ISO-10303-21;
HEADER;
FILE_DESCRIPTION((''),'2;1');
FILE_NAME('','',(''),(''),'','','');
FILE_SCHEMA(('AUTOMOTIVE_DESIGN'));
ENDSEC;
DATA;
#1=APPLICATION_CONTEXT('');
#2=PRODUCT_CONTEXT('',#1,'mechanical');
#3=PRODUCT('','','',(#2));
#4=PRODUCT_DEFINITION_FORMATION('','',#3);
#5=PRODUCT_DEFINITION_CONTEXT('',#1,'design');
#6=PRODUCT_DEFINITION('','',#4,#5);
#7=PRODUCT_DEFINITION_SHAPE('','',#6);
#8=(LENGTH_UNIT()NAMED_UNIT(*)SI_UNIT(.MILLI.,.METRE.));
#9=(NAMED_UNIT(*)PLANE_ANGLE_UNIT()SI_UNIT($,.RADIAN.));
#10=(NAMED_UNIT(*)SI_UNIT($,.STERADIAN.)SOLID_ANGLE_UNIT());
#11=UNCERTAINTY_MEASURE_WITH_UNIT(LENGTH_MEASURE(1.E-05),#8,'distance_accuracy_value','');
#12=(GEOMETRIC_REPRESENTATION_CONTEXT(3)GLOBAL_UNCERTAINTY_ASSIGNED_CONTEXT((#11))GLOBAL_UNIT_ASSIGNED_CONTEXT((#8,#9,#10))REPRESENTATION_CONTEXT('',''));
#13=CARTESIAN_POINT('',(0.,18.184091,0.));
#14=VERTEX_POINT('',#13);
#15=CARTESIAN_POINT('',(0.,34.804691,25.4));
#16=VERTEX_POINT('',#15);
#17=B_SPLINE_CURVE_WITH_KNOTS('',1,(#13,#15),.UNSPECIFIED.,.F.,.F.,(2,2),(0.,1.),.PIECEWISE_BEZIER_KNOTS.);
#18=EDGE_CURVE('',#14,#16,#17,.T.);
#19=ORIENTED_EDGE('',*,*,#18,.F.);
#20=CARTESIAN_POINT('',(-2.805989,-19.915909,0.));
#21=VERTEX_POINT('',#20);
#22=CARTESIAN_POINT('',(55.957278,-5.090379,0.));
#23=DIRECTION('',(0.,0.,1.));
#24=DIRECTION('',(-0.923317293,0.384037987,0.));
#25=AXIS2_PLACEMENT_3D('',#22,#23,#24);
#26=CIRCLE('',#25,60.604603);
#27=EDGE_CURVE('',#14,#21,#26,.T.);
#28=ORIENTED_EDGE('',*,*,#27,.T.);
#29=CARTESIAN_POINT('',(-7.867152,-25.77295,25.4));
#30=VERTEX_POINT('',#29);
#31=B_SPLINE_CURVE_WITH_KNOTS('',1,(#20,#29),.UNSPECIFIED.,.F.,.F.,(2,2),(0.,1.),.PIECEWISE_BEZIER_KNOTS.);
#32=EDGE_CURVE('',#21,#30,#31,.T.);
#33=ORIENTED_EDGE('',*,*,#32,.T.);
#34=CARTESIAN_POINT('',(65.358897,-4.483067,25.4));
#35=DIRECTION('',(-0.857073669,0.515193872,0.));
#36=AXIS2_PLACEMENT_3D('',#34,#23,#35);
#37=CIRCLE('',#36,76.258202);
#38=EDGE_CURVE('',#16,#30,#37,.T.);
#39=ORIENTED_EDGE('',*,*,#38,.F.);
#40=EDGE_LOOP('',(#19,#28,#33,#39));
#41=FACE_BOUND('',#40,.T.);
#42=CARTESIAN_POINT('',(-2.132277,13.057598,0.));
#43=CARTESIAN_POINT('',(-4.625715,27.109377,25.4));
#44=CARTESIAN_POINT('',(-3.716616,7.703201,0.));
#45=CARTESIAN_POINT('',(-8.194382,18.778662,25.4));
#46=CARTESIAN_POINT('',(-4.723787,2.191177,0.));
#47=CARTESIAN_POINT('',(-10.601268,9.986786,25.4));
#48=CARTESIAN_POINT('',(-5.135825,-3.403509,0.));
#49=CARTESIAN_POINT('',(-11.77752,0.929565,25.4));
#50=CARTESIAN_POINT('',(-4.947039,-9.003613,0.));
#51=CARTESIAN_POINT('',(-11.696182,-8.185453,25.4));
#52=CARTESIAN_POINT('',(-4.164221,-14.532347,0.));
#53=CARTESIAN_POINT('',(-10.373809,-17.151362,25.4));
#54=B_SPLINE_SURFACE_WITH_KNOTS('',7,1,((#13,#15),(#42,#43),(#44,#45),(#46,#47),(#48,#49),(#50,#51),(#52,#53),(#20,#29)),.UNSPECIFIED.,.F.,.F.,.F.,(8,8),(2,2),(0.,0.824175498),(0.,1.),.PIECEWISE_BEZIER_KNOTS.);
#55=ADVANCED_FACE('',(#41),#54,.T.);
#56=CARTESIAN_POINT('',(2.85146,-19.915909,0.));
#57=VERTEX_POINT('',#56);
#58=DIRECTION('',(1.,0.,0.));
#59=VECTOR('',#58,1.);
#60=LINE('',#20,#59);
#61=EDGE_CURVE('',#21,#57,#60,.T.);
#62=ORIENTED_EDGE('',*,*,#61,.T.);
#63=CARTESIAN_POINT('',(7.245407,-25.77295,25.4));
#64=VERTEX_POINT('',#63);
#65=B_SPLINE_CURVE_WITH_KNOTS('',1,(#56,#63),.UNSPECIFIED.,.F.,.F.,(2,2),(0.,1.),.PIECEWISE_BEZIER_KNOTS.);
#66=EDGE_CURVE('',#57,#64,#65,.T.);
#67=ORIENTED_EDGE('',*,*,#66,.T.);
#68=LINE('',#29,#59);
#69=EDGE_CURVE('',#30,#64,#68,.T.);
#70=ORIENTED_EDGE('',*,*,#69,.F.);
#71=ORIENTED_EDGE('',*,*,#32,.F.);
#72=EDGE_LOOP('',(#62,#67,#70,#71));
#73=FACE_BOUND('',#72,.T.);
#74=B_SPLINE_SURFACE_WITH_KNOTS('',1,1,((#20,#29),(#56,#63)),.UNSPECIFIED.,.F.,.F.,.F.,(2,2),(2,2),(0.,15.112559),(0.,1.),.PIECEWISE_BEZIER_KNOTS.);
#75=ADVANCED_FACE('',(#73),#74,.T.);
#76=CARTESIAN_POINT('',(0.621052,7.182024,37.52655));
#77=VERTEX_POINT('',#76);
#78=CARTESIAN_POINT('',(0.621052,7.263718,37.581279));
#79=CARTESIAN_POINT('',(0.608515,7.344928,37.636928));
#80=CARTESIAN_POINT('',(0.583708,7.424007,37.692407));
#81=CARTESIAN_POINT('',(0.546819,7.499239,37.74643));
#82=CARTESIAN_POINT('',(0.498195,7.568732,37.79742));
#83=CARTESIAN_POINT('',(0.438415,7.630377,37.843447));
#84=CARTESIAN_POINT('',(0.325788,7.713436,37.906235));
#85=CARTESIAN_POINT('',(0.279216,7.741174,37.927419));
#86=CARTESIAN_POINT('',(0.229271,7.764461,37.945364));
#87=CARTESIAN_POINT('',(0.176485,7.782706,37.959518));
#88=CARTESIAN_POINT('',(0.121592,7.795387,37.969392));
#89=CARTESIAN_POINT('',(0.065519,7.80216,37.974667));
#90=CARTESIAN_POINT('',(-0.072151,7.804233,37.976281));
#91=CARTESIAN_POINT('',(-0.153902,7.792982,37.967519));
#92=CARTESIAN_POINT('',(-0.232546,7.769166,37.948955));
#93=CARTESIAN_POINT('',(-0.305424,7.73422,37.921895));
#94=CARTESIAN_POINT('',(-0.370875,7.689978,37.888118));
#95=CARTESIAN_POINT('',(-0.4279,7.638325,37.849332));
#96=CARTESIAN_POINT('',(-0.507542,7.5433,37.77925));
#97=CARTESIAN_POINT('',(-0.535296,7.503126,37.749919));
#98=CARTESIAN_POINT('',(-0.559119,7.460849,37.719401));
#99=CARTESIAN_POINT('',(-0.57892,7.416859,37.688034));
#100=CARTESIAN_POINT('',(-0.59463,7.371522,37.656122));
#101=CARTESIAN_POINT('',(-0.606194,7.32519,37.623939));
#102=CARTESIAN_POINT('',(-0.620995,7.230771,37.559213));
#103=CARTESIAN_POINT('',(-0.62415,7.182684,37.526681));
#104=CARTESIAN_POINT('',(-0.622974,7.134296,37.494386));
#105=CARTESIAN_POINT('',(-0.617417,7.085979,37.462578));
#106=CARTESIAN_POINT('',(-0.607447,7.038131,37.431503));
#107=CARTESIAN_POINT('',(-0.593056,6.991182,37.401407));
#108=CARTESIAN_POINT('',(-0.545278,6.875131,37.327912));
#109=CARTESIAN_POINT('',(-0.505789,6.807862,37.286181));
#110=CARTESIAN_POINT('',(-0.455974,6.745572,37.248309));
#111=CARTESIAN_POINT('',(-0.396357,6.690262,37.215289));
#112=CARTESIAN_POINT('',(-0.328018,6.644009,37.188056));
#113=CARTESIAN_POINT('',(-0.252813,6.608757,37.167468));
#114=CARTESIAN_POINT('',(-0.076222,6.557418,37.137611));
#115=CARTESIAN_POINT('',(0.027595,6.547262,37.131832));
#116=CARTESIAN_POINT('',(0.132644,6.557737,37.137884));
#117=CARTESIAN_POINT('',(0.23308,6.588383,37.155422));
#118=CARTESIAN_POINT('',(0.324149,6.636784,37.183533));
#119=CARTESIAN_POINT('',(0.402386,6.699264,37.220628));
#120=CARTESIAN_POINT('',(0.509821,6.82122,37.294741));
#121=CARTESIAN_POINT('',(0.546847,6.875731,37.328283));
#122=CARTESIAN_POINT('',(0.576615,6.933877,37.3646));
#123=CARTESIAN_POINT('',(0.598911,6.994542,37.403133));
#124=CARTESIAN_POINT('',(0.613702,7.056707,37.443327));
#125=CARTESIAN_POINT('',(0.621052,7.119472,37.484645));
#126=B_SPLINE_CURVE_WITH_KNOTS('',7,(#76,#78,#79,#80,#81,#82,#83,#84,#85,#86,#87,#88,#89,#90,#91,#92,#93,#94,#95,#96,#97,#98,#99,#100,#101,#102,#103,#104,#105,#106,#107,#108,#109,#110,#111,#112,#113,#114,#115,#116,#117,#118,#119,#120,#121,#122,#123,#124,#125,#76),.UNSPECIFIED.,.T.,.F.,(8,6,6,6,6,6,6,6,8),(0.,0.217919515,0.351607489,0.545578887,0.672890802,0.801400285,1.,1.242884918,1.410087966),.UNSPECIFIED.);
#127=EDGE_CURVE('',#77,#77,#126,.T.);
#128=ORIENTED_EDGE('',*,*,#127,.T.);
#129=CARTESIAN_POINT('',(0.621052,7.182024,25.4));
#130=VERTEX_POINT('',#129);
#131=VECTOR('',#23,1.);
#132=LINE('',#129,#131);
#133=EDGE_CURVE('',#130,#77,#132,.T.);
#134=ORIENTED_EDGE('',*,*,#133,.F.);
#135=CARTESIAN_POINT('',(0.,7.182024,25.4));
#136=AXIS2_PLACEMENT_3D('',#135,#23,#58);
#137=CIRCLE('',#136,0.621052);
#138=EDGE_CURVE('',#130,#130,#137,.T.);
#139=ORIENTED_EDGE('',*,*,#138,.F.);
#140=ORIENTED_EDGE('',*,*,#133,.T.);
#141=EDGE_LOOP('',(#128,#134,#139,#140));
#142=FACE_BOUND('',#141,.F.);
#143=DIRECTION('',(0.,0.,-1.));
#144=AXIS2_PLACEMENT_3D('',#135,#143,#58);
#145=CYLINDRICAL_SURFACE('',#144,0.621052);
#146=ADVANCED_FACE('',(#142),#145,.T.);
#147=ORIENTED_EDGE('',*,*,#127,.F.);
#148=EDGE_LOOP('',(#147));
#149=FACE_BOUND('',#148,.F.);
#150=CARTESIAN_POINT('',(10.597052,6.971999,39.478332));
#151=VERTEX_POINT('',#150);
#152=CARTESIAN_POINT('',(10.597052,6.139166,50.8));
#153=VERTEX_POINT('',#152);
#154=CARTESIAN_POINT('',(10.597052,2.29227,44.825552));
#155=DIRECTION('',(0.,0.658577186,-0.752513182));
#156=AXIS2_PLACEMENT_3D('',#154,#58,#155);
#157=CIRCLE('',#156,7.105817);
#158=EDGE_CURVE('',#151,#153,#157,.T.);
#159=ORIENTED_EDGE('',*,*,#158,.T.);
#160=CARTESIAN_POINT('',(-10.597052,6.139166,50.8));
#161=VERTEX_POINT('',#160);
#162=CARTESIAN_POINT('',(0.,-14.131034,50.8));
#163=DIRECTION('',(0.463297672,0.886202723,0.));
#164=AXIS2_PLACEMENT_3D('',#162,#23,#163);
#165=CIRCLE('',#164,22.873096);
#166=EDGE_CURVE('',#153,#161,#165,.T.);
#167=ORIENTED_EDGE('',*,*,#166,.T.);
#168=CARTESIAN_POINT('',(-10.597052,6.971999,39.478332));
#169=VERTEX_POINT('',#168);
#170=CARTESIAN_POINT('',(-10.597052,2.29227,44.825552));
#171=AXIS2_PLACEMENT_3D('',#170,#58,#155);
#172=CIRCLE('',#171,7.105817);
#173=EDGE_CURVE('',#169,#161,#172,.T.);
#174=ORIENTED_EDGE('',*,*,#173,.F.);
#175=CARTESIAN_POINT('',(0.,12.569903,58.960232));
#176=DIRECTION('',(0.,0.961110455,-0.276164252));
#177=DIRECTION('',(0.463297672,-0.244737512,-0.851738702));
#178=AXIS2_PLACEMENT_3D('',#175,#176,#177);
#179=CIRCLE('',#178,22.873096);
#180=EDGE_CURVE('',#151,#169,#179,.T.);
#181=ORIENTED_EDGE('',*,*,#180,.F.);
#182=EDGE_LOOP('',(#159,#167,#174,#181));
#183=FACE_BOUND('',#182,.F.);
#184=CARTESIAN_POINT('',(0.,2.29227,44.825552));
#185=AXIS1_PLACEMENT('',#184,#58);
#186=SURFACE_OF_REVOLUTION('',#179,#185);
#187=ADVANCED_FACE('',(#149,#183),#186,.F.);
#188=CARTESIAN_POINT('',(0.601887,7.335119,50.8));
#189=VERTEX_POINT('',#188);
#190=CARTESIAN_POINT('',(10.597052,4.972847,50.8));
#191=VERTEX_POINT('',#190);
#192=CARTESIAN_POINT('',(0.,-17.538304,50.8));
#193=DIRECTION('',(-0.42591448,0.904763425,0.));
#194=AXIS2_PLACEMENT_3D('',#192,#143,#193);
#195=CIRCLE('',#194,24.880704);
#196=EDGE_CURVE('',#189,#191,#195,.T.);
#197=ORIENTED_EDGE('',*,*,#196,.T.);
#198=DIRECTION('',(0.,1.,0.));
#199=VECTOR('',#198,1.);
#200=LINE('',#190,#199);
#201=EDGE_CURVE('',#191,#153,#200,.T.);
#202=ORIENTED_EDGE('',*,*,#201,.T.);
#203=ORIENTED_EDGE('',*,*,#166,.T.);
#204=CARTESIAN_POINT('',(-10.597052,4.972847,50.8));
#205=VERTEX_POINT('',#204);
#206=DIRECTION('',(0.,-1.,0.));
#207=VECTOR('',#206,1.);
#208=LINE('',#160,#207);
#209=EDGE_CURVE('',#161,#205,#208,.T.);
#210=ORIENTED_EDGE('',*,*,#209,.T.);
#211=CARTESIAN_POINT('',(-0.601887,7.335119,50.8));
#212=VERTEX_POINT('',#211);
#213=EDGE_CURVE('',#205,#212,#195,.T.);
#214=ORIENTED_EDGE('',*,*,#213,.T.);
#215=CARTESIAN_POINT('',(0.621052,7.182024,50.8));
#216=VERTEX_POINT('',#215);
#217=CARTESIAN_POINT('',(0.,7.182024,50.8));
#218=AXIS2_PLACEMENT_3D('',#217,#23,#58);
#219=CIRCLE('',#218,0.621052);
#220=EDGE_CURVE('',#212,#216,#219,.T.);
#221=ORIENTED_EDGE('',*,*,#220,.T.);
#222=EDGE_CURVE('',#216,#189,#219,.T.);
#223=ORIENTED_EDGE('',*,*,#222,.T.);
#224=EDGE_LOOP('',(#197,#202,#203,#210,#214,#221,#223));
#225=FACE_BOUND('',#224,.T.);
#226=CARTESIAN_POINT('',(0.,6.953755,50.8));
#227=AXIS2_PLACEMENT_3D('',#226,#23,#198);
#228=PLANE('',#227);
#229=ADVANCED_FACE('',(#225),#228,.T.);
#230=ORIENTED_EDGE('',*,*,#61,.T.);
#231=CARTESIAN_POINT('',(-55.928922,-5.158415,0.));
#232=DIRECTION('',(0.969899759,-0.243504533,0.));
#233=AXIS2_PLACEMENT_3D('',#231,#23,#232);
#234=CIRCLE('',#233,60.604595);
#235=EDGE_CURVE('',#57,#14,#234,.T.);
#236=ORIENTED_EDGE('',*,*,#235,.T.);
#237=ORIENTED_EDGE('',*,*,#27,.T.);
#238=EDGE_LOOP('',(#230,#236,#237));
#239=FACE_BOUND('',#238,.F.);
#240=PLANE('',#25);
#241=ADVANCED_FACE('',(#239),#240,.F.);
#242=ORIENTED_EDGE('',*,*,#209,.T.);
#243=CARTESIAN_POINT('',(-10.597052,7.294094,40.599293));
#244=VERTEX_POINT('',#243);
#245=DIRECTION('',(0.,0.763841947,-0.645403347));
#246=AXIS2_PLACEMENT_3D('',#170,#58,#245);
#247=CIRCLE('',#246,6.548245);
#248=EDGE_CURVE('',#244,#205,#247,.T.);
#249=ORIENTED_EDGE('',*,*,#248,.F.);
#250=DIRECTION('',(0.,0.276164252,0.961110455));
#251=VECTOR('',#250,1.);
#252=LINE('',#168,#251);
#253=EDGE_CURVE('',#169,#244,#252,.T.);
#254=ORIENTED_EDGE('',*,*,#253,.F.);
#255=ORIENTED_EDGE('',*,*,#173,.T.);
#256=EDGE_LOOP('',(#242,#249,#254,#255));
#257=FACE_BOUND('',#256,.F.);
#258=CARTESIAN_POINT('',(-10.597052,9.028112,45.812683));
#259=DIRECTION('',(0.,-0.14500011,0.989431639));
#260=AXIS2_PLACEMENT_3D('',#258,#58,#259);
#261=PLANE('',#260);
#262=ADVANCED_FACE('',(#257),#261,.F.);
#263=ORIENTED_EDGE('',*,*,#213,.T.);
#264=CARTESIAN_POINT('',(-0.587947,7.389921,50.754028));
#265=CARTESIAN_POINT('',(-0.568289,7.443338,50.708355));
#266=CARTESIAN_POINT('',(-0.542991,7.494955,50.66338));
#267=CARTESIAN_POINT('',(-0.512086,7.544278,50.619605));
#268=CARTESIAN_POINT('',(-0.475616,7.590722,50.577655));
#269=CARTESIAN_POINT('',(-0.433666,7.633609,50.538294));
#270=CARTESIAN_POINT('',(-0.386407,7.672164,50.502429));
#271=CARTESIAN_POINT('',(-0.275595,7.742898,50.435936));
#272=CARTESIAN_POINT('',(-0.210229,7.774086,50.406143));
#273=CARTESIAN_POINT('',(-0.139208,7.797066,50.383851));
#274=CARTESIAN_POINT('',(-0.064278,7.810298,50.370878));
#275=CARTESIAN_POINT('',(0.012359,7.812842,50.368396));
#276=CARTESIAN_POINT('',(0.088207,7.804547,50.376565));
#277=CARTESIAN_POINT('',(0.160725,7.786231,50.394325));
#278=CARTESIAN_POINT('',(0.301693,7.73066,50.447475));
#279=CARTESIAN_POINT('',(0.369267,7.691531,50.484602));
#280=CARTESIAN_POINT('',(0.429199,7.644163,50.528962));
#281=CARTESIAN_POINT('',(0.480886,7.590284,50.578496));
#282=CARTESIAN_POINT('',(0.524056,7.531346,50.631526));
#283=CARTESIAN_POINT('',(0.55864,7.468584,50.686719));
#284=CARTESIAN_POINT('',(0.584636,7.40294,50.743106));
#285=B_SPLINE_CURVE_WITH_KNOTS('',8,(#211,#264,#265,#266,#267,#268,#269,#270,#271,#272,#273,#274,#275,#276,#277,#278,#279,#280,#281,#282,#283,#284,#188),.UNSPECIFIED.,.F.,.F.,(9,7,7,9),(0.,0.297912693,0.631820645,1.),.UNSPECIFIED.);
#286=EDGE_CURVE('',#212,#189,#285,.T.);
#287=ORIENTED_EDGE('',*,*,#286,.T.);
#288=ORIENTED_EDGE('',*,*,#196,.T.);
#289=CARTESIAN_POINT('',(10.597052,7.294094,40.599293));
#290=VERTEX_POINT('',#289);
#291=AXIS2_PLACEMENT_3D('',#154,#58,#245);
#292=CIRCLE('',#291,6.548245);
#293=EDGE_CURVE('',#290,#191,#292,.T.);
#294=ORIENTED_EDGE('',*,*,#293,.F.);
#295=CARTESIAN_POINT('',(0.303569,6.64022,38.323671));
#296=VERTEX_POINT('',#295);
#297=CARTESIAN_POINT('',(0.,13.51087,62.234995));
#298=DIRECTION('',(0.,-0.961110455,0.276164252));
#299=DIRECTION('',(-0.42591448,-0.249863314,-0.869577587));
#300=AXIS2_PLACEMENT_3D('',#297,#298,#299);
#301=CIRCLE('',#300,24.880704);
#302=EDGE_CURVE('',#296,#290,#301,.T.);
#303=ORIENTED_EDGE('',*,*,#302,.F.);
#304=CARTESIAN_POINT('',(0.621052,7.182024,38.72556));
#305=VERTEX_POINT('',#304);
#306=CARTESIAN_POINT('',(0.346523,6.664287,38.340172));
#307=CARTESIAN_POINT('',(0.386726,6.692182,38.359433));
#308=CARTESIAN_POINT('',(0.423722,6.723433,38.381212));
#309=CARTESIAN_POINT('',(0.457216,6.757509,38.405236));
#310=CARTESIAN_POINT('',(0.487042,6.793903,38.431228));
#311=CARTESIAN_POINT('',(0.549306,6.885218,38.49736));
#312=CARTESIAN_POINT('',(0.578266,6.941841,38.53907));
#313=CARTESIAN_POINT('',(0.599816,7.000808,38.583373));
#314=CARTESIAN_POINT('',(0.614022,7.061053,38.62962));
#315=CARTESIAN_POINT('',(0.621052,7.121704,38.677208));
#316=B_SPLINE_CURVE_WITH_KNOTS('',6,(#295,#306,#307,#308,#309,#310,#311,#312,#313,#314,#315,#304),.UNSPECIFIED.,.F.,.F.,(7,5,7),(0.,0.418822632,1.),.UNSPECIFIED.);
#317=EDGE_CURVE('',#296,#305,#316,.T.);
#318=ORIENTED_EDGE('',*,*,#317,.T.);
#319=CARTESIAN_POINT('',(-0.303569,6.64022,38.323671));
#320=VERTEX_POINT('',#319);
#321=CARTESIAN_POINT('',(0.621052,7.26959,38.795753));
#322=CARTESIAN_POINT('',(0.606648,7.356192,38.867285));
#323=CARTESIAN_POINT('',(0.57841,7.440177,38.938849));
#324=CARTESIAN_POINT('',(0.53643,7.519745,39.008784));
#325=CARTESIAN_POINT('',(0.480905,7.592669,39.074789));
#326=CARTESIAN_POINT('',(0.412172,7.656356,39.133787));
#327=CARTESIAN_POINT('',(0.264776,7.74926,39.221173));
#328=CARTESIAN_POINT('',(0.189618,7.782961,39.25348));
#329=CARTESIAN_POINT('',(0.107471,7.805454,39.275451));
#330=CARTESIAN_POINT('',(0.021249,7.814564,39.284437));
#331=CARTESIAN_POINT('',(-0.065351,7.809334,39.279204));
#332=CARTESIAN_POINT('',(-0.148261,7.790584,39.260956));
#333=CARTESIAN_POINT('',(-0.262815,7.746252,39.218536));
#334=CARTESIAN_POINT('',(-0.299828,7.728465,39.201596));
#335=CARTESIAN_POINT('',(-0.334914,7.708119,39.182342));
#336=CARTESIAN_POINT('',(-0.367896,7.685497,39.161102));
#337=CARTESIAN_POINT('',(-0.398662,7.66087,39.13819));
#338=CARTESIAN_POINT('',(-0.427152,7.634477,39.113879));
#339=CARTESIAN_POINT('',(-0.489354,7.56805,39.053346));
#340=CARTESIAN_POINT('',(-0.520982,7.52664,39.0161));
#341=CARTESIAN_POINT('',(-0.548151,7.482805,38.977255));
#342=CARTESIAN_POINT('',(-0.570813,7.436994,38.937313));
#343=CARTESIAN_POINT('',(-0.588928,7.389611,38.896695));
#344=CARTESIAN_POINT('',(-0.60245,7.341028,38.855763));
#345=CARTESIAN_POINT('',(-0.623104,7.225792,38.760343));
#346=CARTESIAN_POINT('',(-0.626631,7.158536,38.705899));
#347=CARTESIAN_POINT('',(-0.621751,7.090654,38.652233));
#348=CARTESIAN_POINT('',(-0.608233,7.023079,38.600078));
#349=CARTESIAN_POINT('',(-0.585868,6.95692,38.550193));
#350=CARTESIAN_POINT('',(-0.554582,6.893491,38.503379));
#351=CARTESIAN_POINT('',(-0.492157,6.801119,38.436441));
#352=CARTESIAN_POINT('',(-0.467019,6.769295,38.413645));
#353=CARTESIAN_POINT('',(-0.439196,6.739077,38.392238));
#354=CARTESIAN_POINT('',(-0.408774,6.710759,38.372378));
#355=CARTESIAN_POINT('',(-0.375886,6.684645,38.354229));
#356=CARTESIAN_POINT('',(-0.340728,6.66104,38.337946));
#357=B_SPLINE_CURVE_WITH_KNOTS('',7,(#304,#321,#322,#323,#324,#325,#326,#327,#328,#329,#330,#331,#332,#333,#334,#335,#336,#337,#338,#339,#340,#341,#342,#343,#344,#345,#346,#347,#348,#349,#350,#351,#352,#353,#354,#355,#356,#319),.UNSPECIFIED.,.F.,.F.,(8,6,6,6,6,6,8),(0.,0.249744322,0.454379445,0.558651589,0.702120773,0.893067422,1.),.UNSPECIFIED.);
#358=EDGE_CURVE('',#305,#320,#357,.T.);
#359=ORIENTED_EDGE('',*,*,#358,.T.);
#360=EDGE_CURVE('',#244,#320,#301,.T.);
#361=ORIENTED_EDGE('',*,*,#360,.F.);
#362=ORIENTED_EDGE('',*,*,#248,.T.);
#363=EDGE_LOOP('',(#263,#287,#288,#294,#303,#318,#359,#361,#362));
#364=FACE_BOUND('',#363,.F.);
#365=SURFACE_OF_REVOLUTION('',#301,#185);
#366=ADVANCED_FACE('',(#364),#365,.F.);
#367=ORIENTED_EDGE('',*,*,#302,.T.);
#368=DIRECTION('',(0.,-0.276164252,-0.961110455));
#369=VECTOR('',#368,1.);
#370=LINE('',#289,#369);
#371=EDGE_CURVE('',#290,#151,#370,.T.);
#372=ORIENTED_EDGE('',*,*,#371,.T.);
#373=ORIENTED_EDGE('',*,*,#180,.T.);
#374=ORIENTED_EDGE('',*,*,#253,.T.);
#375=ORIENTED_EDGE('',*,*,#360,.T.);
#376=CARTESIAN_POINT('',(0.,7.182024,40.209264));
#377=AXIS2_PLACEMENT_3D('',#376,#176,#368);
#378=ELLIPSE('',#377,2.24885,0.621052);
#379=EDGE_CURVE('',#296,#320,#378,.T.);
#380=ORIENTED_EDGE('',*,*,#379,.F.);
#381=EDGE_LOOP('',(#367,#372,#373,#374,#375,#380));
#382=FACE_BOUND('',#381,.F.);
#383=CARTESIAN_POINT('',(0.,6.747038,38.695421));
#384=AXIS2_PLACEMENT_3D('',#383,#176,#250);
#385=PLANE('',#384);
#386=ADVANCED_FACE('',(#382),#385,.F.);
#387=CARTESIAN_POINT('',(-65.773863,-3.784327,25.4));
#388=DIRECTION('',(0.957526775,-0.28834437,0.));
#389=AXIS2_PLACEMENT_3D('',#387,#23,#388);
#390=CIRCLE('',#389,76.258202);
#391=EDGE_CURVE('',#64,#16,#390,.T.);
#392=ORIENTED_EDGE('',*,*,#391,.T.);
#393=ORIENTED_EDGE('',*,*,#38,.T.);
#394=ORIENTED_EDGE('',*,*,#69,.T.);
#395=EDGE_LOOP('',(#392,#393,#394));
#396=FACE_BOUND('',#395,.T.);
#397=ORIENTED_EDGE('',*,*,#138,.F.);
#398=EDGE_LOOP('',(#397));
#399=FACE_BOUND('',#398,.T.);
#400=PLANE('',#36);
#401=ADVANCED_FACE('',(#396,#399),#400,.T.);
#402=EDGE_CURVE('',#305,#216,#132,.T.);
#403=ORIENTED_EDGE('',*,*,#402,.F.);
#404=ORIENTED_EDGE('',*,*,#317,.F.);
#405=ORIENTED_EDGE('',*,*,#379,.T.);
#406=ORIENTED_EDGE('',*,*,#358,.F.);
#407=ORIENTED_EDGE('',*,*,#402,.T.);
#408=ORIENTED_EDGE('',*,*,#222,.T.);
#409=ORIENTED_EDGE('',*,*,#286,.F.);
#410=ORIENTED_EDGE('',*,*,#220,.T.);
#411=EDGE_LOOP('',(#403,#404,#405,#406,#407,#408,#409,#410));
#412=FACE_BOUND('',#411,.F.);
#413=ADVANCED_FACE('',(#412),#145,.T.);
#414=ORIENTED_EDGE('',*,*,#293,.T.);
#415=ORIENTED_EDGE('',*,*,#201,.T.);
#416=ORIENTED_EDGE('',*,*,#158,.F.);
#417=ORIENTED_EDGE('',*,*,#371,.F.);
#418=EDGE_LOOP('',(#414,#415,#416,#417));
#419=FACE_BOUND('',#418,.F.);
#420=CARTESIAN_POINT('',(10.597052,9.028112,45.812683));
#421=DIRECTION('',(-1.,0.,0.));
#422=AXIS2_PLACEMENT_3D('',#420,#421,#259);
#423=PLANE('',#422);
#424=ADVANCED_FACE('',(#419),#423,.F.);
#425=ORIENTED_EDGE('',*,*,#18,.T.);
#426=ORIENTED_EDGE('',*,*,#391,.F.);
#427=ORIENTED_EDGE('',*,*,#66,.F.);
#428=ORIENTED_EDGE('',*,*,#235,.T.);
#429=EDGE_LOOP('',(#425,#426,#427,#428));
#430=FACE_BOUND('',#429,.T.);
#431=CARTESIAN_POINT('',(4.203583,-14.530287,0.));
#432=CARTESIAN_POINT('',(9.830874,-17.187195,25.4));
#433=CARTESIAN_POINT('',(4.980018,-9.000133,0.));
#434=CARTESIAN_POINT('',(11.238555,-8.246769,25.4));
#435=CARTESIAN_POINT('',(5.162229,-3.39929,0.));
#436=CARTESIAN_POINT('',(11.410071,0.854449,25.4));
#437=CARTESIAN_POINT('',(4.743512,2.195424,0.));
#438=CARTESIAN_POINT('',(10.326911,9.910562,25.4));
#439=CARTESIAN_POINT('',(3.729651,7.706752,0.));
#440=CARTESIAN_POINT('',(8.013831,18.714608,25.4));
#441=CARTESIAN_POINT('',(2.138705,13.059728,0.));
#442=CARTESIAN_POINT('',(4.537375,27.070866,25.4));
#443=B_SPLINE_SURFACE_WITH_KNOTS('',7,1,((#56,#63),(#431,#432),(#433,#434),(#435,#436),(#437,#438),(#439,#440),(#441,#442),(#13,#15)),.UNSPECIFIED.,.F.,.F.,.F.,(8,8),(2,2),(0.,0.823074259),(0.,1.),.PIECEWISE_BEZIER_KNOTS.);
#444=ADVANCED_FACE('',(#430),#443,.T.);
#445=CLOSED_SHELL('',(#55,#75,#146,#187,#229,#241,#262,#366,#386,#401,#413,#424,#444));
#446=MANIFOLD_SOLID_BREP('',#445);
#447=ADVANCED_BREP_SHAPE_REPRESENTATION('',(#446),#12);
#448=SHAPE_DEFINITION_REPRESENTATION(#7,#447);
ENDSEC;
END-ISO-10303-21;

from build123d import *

# Parameters (mm, degrees)
F4_R     = 0.621052
F5_DEPTH = 25.4


with BuildPart() as f3:
    # F0 (on Top) → F3 section 0
    with BuildSketch(Plane.XY):
        with BuildLine():
            ThreePointArc((0, 18.184091), (-4.48363, -0.639026), (-2.805989, -19.915909))
            Line((-2.805989, -19.915909), (2.85146, -19.915909))
            ThreePointArc((2.85146, -19.915909), (4.506652, -0.635328), (0, 18.184091))
        make_face()
    # F2 (on offset) → F3 section 1
    with BuildSketch(Plane.XY.offset(25.4)):
        with BuildLine():
            ThreePointArc((0, 34.804691), (-10.264244, 5.338028), (-7.867152, -25.77295))
            Line((-7.867152, -25.77295), (7.245407, -25.77295))
            ThreePointArc((7.245407, -25.77295), (9.944669, 5.272011), (0, 34.804691))
        make_face()
    loft()

    # F4 (on face) → F5 (join)
    with BuildSketch(Plane.XY.offset(25.4)):
        with Locations((0, 7.182024)):
            Circle(F4_R)
    extrude(amount=F5_DEPTH)

    # F9: sweep along a path in F8
    with BuildLine(Plane.YZ) as f9_path:
        ThreePointArc((6.253172, 36.976661), (10.944831, 43.26766), (8.742062, 50.8))
    # F7 (on offset) → F9 (sweep)
    with BuildSketch(Plane.XY.offset(50.8)):
        with BuildLine():
            ThreePointArc((-10.597052, 4.972847), (0, 7.3424), (10.597052, 4.972847))
            Line((10.597052, 4.972847), (10.597052, 6.139166))
            ThreePointArc((10.597052, 6.139166), (0, 8.742062), (-10.597052, 6.139166))
            Line((-10.597052, 6.139166), (-10.597052, 4.972847))
        make_face()
    sweep(path=f9_path.line)


solid = f3.part
